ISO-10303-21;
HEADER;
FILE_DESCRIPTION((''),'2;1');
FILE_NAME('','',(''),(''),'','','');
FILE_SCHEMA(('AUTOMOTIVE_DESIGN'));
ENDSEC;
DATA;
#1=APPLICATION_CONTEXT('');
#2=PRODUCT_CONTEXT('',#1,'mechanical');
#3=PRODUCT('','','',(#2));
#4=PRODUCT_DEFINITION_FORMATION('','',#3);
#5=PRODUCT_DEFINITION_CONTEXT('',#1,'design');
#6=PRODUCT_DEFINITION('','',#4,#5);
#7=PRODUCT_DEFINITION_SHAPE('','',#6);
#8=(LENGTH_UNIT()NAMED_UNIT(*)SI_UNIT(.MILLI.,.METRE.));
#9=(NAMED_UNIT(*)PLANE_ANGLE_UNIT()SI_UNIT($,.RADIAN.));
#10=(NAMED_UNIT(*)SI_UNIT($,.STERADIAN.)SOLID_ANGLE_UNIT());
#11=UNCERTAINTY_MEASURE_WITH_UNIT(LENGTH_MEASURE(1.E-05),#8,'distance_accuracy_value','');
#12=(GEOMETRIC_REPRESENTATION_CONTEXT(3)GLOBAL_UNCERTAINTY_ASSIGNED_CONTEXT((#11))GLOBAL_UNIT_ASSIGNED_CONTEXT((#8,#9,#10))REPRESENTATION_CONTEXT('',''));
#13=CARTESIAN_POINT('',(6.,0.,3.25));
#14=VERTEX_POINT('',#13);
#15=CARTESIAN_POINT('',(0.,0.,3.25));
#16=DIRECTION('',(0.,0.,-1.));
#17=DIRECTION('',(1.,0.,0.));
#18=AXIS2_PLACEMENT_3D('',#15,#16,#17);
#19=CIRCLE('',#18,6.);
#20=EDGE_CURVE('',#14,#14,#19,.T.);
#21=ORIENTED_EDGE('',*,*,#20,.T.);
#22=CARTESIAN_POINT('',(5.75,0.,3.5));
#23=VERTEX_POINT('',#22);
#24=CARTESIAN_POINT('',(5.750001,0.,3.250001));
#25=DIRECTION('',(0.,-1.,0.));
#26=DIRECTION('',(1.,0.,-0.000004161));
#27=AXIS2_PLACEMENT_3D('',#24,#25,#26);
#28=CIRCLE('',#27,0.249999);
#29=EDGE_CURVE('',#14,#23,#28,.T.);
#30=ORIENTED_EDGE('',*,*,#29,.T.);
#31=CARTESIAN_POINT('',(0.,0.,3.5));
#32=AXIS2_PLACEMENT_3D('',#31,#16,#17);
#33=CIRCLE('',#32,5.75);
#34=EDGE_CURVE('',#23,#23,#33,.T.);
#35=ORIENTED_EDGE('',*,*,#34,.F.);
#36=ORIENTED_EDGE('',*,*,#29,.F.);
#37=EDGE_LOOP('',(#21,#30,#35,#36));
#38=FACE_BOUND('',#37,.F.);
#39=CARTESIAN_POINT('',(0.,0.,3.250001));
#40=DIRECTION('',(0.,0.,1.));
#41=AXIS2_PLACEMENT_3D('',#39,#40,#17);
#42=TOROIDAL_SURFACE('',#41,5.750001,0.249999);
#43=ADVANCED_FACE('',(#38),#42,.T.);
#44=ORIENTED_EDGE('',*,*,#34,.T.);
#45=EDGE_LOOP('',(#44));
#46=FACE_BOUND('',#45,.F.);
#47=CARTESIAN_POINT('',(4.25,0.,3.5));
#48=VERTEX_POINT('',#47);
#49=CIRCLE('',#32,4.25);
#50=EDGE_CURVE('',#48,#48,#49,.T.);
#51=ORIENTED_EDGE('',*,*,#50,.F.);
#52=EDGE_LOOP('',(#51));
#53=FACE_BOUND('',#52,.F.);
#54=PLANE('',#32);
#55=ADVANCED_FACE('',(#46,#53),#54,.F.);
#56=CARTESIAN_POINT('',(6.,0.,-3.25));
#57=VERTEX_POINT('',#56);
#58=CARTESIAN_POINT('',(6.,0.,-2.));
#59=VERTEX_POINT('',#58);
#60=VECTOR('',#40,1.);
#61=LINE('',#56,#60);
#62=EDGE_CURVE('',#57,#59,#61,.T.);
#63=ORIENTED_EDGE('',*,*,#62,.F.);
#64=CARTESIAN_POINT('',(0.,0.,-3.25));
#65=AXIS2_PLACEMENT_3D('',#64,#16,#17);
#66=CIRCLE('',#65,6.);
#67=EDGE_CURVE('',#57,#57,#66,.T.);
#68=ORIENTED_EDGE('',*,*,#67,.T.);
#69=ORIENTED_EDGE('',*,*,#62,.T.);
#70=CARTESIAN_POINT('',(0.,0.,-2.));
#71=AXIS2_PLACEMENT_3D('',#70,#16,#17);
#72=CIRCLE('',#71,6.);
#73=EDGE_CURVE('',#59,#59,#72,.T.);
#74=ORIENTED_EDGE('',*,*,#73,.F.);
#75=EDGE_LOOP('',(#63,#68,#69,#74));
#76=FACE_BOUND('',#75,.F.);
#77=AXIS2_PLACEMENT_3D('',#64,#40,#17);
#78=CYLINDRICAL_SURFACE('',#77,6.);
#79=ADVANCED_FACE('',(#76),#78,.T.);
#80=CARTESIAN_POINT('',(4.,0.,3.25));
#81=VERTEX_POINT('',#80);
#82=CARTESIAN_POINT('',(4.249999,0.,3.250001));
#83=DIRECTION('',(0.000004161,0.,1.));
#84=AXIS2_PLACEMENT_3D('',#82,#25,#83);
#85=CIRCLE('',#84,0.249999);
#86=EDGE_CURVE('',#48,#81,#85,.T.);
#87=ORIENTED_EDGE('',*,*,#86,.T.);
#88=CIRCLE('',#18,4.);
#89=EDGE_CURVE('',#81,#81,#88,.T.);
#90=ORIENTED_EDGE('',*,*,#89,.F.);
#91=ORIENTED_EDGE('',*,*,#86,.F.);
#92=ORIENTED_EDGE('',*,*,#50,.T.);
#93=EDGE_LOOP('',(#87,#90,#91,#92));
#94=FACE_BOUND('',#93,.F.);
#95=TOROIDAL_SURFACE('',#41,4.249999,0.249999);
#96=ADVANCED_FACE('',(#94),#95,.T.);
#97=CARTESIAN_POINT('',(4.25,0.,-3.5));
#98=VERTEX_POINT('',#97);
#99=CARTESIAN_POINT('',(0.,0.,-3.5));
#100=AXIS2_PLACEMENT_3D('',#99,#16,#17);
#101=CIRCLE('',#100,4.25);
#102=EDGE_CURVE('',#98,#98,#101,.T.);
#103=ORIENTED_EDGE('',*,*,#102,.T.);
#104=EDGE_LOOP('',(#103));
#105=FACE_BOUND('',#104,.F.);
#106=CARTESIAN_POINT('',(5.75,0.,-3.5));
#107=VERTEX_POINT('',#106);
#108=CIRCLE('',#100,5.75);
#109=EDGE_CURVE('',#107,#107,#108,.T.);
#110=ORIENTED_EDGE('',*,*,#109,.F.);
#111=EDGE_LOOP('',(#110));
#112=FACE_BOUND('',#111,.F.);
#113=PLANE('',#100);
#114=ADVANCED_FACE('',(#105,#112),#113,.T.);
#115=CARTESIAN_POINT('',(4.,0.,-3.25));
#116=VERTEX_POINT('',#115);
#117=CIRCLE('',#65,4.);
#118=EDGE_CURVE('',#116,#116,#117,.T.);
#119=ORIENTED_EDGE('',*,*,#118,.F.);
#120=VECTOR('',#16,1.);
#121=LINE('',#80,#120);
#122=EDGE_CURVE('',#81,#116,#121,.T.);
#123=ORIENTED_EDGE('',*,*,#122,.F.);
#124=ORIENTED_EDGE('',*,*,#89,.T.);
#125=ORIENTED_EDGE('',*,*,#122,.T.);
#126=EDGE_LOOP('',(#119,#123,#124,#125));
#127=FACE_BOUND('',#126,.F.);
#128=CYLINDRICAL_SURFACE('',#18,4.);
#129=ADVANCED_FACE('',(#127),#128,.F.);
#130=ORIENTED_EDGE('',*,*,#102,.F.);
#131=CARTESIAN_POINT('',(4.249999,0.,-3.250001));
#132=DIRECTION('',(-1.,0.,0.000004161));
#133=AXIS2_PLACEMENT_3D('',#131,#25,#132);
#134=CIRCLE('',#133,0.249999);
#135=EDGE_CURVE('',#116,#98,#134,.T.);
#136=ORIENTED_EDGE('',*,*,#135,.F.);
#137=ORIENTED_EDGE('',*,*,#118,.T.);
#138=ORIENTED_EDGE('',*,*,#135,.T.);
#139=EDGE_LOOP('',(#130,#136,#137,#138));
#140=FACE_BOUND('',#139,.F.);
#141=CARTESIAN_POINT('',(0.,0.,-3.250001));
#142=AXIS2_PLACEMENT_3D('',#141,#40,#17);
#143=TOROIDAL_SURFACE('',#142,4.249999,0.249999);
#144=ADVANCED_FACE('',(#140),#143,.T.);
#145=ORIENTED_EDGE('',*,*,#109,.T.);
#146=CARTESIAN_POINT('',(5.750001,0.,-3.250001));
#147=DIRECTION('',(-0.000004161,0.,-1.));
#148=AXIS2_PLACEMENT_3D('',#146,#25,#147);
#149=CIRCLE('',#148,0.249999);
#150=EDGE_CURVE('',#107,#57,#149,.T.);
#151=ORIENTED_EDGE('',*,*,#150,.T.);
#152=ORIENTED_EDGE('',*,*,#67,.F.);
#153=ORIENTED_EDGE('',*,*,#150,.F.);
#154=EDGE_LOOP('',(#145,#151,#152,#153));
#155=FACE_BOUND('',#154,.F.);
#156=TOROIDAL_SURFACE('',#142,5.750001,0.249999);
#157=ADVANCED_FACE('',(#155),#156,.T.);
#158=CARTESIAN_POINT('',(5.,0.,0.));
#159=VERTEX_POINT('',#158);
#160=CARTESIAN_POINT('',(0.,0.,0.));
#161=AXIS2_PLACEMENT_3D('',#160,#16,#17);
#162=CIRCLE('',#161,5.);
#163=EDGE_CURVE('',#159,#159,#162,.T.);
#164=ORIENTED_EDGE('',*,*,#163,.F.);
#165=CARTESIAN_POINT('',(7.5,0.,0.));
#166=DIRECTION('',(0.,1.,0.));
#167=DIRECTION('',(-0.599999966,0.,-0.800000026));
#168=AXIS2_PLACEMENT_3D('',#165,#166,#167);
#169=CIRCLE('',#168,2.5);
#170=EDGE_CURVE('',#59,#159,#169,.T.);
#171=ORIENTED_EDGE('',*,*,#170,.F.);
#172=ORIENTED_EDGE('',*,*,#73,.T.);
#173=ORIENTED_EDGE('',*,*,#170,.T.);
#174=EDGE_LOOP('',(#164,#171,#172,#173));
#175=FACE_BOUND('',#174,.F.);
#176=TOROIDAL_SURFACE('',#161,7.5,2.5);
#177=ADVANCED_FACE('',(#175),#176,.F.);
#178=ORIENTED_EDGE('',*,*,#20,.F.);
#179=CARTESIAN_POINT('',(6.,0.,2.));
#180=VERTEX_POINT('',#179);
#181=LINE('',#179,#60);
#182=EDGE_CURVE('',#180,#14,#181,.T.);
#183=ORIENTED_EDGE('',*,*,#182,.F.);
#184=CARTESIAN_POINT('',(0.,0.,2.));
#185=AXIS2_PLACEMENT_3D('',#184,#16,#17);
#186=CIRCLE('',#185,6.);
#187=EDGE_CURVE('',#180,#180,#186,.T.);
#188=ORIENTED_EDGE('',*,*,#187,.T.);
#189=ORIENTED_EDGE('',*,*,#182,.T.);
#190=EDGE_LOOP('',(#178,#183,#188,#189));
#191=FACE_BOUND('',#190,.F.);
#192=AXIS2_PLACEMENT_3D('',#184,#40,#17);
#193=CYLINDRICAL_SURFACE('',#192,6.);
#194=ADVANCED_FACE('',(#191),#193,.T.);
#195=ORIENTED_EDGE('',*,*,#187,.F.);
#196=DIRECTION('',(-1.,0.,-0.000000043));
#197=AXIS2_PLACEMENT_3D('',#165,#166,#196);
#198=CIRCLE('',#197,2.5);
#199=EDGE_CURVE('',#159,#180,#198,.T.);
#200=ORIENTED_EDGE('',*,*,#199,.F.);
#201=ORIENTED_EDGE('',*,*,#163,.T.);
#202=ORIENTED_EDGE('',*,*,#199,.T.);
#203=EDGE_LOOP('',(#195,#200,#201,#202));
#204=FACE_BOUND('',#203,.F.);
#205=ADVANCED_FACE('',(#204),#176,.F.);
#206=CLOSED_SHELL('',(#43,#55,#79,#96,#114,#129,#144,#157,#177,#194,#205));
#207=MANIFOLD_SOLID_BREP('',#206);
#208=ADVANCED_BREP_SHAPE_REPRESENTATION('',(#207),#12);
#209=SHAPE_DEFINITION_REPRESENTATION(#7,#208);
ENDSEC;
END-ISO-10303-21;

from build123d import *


with BuildPart() as f1:
    # F0 (on Front) → F1 (revolve)
    with BuildSketch(Plane.XZ):
        with BuildLine():
            Line((4, 3.25), (4, 0))
            Line((4, 0), (5, 0))
            ThreePointArc((5, 0), (5.263932, 1.118034), (6, 2))
            Line((6, 2), (6, 3.25))
            ThreePointArc((6, 3.25), (5.926777, 3.426777), (5.75, 3.5))
            Line((5.75, 3.5), (4.25, 3.5))
            ThreePointArc((4.25, 3.5), (4.073223, 3.426777), (4, 3.25))
        make_face()
        with BuildLine():
            Line((5, 0), (4, 0))
            Line((4, 0), (4, -3.25))
            ThreePointArc((4, -3.25), (4.073223, -3.426777), (4.25, -3.5))
            Line((4.25, -3.5), (5.75, -3.5))
            ThreePointArc((5.75, -3.5), (5.926777, -3.426777), (6, -3.25))
            Line((6, -3.25), (6, -2))
            ThreePointArc((6, -2), (5.263932, -1.118034), (5, 0))
        make_face()
    revolve(axis=Axis((0, 0, 0.334755), (0, 0, -1)))


solid = f1.part
